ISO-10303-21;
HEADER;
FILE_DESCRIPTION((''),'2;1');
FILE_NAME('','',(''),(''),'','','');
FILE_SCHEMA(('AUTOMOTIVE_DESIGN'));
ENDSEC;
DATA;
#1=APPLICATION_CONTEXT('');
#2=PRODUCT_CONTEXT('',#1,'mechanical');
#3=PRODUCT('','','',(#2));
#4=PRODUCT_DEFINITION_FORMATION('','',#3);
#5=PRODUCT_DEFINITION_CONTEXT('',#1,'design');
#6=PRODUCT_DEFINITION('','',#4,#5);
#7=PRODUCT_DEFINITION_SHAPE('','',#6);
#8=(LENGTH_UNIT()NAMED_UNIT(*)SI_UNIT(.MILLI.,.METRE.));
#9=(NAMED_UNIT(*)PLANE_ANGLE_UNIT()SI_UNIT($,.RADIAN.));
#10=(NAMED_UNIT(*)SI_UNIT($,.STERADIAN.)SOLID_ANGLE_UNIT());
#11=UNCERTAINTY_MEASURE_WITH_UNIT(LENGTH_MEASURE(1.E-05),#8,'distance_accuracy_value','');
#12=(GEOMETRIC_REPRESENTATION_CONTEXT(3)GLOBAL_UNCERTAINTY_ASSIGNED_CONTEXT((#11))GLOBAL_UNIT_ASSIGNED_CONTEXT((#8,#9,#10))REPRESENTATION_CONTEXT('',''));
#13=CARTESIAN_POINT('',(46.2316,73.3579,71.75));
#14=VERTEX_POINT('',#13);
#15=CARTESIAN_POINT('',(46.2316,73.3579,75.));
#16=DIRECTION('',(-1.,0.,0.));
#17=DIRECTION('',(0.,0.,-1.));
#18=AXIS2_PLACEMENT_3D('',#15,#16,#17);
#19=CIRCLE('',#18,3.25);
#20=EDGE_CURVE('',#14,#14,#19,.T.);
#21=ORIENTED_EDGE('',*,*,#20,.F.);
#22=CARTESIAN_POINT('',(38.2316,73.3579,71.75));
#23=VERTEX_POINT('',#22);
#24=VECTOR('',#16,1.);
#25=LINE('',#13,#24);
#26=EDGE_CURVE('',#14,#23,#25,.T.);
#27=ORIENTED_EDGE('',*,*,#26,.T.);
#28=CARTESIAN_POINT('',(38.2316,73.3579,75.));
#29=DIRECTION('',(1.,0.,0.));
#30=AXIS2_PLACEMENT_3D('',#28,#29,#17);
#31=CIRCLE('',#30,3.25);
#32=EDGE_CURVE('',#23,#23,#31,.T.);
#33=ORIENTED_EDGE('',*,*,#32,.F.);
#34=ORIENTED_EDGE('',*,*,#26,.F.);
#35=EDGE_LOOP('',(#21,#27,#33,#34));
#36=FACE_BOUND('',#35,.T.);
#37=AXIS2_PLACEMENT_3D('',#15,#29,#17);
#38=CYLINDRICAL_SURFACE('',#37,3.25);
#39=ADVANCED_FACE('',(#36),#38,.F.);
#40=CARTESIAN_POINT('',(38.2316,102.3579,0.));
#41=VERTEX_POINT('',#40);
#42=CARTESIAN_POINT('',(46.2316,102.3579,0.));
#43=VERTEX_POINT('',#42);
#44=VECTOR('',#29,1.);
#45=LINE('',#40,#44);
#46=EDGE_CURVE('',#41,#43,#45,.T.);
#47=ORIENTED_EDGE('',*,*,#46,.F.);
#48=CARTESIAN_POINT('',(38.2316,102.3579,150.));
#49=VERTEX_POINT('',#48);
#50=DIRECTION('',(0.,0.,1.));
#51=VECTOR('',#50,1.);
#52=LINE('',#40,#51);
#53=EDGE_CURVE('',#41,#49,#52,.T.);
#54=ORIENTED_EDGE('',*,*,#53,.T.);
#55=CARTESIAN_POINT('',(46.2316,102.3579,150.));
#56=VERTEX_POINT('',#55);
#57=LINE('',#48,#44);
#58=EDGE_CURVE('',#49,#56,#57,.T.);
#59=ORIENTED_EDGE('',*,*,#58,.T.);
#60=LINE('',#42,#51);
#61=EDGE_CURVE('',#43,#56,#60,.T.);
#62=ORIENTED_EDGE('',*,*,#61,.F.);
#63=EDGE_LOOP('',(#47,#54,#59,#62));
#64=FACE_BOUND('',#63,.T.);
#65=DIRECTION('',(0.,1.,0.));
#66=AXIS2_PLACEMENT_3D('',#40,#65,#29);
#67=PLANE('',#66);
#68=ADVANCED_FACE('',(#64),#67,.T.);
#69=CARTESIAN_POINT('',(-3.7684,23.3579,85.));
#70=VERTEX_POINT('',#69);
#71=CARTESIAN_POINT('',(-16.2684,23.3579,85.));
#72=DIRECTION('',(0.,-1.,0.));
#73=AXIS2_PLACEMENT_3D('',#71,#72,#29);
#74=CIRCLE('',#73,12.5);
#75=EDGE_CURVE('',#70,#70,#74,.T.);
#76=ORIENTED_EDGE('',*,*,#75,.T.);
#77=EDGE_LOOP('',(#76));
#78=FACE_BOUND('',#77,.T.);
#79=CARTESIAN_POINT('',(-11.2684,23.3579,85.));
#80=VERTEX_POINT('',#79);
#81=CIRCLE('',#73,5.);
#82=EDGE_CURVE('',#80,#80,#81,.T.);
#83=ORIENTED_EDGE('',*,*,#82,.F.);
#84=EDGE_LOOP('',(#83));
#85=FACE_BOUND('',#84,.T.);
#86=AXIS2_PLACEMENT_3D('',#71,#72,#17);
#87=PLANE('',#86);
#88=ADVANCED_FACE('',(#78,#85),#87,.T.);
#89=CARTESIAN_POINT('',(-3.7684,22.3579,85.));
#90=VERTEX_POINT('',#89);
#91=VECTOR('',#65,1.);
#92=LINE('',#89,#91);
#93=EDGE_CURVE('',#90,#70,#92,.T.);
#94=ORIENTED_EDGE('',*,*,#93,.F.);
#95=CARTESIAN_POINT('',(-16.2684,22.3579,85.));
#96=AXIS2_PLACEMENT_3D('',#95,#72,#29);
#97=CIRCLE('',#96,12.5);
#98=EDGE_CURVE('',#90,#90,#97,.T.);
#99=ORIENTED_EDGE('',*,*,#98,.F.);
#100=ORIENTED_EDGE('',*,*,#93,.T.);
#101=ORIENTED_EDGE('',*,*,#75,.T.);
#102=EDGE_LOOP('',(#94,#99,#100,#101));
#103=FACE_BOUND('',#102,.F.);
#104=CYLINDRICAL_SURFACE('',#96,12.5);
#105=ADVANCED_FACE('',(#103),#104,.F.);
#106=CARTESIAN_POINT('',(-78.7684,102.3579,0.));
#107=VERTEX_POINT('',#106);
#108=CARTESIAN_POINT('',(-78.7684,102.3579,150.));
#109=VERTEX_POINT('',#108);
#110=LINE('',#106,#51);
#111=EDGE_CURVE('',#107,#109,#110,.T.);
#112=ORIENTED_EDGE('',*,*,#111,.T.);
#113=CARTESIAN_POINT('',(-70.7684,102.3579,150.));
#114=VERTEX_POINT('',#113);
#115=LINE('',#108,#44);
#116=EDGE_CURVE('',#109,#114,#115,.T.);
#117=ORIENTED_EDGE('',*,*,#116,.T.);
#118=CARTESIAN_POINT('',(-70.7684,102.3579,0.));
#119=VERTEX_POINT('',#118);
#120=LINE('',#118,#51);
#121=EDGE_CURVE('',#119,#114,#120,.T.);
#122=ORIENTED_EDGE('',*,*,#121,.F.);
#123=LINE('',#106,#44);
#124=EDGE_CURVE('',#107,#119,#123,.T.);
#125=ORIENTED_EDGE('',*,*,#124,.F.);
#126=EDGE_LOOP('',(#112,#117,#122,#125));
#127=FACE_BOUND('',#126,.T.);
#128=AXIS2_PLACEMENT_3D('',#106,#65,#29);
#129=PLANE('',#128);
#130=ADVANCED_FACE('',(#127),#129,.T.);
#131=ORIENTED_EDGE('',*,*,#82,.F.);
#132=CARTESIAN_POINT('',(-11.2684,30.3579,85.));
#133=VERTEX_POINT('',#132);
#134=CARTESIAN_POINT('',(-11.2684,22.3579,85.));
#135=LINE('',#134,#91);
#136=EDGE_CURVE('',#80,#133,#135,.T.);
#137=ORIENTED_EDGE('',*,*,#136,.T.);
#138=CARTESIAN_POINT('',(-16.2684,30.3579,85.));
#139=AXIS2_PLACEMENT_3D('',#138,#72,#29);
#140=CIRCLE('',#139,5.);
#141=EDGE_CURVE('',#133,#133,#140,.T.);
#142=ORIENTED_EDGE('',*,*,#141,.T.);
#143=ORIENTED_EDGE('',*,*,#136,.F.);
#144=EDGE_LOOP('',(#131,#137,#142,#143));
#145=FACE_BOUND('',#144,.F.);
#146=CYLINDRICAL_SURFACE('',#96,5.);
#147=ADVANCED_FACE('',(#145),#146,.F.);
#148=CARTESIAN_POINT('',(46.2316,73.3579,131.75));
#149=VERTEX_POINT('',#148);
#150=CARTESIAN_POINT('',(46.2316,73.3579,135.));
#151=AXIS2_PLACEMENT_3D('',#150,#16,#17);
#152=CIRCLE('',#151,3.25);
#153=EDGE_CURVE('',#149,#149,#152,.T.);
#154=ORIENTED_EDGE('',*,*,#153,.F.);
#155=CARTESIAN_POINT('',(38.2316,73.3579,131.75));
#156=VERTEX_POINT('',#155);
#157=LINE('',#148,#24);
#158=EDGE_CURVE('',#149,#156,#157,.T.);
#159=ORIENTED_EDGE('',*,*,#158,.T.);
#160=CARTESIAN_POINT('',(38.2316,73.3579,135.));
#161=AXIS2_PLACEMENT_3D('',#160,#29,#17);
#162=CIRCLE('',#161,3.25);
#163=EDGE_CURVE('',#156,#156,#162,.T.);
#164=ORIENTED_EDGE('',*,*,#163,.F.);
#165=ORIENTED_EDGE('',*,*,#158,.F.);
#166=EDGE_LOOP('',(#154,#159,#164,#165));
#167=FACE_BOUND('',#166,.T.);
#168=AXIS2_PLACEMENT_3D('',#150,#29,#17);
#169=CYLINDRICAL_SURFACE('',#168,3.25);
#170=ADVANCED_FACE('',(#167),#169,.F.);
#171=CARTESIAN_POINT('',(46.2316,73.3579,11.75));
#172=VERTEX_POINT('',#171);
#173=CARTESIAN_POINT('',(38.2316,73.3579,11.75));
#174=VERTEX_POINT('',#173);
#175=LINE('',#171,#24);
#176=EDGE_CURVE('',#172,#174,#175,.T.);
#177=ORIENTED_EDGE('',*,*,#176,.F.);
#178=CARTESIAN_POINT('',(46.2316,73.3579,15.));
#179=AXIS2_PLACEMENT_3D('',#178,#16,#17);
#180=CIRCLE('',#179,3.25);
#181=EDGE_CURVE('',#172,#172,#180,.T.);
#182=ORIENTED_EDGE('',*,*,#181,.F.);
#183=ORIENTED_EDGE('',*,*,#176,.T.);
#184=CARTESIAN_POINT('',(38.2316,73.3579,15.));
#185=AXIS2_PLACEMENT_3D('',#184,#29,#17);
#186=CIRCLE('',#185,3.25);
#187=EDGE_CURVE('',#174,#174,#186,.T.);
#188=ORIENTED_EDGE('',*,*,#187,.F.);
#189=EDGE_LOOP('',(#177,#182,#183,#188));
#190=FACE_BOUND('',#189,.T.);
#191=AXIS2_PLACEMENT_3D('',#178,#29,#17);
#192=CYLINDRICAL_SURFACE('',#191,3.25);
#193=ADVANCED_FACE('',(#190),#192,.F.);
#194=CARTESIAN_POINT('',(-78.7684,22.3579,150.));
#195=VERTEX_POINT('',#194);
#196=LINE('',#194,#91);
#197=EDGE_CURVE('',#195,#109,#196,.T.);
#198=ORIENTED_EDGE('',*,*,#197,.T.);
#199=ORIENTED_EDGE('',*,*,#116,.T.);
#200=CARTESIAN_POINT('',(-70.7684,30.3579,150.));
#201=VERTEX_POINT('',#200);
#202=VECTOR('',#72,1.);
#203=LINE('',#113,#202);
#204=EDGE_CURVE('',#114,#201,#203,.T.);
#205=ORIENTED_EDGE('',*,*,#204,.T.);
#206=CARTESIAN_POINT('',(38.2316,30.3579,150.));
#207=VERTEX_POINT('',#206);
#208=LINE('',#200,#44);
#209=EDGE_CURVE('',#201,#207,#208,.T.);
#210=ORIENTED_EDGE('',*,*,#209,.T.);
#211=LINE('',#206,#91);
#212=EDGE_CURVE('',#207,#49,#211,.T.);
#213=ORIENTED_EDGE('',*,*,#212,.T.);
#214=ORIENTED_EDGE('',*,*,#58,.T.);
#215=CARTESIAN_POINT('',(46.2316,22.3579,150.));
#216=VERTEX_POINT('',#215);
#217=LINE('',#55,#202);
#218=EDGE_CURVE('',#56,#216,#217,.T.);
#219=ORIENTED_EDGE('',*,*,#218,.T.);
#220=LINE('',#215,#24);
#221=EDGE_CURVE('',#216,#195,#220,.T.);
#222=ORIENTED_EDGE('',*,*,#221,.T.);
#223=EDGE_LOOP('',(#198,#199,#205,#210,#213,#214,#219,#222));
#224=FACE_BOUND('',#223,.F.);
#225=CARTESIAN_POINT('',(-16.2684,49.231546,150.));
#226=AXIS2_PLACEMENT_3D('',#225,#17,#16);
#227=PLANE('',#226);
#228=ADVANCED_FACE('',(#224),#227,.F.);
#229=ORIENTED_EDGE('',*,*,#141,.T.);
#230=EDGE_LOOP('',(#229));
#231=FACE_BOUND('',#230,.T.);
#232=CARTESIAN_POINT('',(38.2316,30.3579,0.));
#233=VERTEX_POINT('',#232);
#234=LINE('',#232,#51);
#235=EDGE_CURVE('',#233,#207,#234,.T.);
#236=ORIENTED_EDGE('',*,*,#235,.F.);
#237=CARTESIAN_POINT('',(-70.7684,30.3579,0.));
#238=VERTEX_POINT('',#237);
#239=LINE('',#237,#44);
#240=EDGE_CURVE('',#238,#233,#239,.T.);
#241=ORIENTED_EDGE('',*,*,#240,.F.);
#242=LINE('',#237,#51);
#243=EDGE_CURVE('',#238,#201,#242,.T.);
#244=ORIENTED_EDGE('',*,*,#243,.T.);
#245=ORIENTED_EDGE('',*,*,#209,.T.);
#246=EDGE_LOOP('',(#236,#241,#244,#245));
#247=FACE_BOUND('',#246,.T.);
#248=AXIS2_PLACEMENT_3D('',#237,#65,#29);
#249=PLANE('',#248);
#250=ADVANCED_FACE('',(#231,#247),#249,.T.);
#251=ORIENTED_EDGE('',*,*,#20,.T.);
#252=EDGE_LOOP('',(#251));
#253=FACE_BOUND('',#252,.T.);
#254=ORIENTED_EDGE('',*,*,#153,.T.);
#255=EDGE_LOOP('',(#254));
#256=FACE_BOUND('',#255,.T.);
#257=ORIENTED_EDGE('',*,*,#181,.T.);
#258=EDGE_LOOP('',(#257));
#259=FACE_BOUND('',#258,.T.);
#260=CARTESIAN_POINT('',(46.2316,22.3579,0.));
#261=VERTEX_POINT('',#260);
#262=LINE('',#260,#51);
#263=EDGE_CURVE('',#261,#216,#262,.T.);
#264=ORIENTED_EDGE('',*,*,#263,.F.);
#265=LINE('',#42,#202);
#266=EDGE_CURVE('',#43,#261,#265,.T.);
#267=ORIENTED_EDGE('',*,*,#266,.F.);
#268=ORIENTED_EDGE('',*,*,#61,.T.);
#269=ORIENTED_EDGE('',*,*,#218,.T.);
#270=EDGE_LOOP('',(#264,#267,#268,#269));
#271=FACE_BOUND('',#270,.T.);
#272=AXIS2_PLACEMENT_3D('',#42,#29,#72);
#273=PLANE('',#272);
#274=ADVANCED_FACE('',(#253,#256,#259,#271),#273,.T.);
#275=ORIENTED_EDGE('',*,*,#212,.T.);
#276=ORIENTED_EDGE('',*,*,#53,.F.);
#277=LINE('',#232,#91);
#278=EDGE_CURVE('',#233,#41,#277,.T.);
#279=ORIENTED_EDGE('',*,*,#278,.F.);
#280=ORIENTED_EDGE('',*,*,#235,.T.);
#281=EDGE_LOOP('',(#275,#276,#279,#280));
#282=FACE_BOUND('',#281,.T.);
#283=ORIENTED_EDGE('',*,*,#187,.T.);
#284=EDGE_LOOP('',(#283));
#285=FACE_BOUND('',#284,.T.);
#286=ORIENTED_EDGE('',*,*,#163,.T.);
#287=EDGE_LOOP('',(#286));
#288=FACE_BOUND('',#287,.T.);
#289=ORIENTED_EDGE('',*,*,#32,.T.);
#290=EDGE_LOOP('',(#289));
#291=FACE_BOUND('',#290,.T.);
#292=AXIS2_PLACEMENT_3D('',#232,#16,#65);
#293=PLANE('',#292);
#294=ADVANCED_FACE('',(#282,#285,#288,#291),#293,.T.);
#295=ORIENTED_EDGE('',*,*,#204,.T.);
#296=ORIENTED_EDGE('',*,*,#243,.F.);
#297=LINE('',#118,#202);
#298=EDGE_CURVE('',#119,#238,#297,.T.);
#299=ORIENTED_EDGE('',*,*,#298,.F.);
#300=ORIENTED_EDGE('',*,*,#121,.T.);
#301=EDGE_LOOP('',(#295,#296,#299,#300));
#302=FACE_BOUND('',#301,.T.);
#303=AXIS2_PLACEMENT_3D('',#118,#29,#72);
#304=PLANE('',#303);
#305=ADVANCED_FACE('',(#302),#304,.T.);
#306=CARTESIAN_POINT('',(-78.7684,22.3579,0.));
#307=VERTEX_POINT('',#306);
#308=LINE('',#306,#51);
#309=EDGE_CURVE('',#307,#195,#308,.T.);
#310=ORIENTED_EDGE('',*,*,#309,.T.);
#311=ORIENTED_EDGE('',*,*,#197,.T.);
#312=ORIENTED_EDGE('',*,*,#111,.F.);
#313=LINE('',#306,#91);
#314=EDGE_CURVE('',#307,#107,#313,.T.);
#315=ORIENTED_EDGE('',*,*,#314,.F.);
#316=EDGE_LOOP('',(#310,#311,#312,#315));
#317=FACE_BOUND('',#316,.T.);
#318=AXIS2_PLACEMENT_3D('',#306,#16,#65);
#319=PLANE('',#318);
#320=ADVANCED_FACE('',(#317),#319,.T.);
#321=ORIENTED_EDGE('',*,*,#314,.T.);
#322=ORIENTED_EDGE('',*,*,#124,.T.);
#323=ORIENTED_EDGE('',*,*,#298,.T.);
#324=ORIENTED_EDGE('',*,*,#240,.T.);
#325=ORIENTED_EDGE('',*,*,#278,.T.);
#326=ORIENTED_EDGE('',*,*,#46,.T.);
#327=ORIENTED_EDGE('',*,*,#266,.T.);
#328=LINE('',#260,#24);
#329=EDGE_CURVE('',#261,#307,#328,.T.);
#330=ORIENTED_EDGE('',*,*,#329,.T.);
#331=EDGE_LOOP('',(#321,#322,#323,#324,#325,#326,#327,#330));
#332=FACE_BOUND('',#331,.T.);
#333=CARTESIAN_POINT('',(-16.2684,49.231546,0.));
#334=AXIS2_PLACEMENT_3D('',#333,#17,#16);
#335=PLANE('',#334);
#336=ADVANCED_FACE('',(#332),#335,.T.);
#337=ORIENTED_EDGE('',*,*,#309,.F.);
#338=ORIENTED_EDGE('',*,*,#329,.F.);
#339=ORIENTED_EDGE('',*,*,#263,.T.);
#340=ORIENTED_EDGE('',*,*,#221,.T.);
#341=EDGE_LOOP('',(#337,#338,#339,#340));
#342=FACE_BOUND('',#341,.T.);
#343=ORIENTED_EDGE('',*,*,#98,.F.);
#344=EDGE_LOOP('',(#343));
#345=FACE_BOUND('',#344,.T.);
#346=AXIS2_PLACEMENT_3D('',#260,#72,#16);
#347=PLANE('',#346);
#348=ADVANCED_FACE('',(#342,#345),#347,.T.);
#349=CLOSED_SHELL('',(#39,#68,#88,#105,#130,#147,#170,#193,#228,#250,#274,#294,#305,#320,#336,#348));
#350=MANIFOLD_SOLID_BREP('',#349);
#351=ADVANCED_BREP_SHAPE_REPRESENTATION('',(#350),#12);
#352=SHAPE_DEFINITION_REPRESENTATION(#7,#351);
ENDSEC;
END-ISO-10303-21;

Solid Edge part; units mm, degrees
sketch "Sketch1" plane through (0, 0, 0) normal (0, 0, 1) x (1, 0, 0)
  line L0 (-78.7684, 102.3579) -> (-70.7684, 102.3579)
  line L1 (-70.7684, 102.3579) -> (-70.7684, 30.3579)
  line L2 (-70.7684, 30.3579) -> (38.2316, 30.3579)
  line L3 (38.2316, 30.3579) -> (38.2316, 102.3579)
  line L4 (38.2316, 102.3579) -> (46.2316, 102.3579)
  line L5 (46.2316, 102.3579) -> (46.2316, 22.3579)
  line L6 (46.2316, 22.3579) -> (-78.7684, 22.3579)
  line L7 (-78.7684, 22.3579) -> (-78.7684, 102.3579)
  dimension "D1" = 8
  dimension "D2" = 8
  dimension "D3" = 125
  dimension "D4" = 8
  dimension "D5" = 80
extrude "Protrusion1" add sketch "Sketch1" along normal blind 150
sketch "Sketch2" plane through (-16.2684, 22.3579, 75) normal (0, -1, 0) x (1, 0, 0)
  circle A0 centre (0, 10) radius 5
  dimension "D1" = 10
  dimension "D2" = 125
  dimension "D3" = 62.5
  dimension "D4" = 150
  dimension "D5" = 65
extrude "Cutout1" cut sketch "Sketch2" against normal through all
sketch "Sketch3" plane through (-16.2684, 22.3579, 75) normal (0, -1, 0) x (1, 0, 0)
  circle A0 centre (0, 10) radius 12.5
  dimension "D1" = 25
extrude "ExtrudedCutout_2" cut sketch "Sketch3" against normal blind 1
hole "Hole_1" at (46.2316, 73.3579, 75) direction (-1, 0, 0) diameter 6.5 end up to next
hole "Hole1" at (46.2316, 73.3579, 15) direction (-1, 0, 0) diameter 6.5 end up to next
hole "Hole2" at (46.2316, 73.3579, 135) direction (-1, 0, 0) diameter 6.5 end up to next
properties material "Aluminum, 6061-T6"
